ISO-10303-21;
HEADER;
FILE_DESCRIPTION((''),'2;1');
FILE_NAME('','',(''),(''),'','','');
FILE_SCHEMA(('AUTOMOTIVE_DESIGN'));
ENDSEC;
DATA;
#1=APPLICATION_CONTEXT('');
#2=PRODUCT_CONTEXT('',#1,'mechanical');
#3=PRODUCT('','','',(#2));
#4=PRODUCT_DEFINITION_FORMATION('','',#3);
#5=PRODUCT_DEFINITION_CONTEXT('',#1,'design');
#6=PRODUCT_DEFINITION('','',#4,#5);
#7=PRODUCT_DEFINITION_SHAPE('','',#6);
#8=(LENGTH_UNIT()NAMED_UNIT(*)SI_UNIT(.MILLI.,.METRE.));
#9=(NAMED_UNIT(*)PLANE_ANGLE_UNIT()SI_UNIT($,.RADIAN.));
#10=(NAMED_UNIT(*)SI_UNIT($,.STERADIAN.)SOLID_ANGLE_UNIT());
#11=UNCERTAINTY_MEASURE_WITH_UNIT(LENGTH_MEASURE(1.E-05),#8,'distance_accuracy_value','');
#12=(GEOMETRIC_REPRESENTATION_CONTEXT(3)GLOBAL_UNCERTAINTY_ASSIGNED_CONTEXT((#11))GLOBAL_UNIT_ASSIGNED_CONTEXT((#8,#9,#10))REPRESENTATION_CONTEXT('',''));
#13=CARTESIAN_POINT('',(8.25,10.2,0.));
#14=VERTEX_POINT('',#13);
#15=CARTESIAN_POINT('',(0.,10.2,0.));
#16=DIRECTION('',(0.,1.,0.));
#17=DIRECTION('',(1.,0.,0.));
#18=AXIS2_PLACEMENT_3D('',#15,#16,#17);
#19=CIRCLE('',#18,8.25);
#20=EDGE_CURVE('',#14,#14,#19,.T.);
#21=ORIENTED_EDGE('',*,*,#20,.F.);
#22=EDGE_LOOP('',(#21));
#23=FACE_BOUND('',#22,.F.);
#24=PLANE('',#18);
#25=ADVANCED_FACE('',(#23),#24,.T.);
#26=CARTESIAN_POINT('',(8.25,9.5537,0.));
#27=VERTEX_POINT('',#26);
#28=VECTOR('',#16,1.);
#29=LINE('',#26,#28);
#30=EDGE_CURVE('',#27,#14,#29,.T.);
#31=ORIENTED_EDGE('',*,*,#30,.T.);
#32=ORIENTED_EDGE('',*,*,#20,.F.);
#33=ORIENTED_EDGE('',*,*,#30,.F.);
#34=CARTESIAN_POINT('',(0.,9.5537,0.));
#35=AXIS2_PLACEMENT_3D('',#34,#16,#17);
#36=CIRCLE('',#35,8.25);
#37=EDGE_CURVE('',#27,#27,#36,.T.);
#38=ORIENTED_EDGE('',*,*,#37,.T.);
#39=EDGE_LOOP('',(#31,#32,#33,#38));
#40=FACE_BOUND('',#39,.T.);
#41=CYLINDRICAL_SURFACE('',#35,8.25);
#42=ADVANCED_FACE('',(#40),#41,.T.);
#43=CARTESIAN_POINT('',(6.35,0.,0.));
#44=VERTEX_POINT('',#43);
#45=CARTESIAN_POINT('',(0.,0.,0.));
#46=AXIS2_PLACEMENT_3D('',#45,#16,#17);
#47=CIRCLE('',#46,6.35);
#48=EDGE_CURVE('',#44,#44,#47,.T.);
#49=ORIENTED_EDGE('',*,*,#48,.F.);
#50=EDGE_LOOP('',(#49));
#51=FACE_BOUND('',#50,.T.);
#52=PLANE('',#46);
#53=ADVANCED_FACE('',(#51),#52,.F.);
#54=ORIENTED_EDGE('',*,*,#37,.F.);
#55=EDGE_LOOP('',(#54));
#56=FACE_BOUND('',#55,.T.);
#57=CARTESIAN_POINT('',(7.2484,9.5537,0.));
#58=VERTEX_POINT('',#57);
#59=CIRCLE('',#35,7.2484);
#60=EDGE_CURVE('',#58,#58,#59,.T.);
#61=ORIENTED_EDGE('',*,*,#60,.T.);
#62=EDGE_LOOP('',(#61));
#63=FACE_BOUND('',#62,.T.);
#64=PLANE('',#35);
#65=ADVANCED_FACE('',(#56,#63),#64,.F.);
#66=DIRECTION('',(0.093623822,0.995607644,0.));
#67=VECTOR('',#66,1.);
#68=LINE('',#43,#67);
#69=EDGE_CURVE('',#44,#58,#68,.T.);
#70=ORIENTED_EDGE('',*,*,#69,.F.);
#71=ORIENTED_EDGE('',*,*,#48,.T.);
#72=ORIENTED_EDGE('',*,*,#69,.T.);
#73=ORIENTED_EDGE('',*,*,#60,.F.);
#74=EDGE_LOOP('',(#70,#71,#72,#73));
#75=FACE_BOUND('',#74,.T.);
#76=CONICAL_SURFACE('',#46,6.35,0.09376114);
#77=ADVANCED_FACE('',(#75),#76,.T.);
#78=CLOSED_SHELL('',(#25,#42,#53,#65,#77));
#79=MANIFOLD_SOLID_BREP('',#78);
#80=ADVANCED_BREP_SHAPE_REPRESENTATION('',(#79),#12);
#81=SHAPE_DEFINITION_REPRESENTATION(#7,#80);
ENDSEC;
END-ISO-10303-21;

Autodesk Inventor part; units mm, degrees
ref_plane "YZ Plane" through (0, 0, 0) normal (1, 0, 0) x (0, 1, 0)
ref_plane "XZ Plane" through (0, 0, 0) normal (0, 1, 0) x (-1, 0, 0)
ref_plane "XY Plane" through (0, 0, 0) normal (0, 0, 1) x (1, 0, 0)
sketch "Sketch1" plane through (0, 0, 0) normal (0, 0, 1) x (1, 0, 0)
  line L0 (0, 10.2) -> (8.25, 10.2)
  line L1 (0, 0) -> (6.35, 0)
  line L2 (6.35, 0) -> (7.2484, 9.5537)
  line L3 (7.2484, 9.5537) -> (8.25, 9.5537)
  line L4 (8.25, 9.5537) -> (8.25, 10.2)
  line L5 (0, 0) -> (0, 10.2)
  dimension "d0" = 8.25
  dimension "d1" = 6.35
  dimension "d2" = 10.2
revolve "Revolution1" add sketch "Sketch1" angle 360 about axis through (0, 0, 0) along (0, 1, 0)
properties part number "rubberFeet"
